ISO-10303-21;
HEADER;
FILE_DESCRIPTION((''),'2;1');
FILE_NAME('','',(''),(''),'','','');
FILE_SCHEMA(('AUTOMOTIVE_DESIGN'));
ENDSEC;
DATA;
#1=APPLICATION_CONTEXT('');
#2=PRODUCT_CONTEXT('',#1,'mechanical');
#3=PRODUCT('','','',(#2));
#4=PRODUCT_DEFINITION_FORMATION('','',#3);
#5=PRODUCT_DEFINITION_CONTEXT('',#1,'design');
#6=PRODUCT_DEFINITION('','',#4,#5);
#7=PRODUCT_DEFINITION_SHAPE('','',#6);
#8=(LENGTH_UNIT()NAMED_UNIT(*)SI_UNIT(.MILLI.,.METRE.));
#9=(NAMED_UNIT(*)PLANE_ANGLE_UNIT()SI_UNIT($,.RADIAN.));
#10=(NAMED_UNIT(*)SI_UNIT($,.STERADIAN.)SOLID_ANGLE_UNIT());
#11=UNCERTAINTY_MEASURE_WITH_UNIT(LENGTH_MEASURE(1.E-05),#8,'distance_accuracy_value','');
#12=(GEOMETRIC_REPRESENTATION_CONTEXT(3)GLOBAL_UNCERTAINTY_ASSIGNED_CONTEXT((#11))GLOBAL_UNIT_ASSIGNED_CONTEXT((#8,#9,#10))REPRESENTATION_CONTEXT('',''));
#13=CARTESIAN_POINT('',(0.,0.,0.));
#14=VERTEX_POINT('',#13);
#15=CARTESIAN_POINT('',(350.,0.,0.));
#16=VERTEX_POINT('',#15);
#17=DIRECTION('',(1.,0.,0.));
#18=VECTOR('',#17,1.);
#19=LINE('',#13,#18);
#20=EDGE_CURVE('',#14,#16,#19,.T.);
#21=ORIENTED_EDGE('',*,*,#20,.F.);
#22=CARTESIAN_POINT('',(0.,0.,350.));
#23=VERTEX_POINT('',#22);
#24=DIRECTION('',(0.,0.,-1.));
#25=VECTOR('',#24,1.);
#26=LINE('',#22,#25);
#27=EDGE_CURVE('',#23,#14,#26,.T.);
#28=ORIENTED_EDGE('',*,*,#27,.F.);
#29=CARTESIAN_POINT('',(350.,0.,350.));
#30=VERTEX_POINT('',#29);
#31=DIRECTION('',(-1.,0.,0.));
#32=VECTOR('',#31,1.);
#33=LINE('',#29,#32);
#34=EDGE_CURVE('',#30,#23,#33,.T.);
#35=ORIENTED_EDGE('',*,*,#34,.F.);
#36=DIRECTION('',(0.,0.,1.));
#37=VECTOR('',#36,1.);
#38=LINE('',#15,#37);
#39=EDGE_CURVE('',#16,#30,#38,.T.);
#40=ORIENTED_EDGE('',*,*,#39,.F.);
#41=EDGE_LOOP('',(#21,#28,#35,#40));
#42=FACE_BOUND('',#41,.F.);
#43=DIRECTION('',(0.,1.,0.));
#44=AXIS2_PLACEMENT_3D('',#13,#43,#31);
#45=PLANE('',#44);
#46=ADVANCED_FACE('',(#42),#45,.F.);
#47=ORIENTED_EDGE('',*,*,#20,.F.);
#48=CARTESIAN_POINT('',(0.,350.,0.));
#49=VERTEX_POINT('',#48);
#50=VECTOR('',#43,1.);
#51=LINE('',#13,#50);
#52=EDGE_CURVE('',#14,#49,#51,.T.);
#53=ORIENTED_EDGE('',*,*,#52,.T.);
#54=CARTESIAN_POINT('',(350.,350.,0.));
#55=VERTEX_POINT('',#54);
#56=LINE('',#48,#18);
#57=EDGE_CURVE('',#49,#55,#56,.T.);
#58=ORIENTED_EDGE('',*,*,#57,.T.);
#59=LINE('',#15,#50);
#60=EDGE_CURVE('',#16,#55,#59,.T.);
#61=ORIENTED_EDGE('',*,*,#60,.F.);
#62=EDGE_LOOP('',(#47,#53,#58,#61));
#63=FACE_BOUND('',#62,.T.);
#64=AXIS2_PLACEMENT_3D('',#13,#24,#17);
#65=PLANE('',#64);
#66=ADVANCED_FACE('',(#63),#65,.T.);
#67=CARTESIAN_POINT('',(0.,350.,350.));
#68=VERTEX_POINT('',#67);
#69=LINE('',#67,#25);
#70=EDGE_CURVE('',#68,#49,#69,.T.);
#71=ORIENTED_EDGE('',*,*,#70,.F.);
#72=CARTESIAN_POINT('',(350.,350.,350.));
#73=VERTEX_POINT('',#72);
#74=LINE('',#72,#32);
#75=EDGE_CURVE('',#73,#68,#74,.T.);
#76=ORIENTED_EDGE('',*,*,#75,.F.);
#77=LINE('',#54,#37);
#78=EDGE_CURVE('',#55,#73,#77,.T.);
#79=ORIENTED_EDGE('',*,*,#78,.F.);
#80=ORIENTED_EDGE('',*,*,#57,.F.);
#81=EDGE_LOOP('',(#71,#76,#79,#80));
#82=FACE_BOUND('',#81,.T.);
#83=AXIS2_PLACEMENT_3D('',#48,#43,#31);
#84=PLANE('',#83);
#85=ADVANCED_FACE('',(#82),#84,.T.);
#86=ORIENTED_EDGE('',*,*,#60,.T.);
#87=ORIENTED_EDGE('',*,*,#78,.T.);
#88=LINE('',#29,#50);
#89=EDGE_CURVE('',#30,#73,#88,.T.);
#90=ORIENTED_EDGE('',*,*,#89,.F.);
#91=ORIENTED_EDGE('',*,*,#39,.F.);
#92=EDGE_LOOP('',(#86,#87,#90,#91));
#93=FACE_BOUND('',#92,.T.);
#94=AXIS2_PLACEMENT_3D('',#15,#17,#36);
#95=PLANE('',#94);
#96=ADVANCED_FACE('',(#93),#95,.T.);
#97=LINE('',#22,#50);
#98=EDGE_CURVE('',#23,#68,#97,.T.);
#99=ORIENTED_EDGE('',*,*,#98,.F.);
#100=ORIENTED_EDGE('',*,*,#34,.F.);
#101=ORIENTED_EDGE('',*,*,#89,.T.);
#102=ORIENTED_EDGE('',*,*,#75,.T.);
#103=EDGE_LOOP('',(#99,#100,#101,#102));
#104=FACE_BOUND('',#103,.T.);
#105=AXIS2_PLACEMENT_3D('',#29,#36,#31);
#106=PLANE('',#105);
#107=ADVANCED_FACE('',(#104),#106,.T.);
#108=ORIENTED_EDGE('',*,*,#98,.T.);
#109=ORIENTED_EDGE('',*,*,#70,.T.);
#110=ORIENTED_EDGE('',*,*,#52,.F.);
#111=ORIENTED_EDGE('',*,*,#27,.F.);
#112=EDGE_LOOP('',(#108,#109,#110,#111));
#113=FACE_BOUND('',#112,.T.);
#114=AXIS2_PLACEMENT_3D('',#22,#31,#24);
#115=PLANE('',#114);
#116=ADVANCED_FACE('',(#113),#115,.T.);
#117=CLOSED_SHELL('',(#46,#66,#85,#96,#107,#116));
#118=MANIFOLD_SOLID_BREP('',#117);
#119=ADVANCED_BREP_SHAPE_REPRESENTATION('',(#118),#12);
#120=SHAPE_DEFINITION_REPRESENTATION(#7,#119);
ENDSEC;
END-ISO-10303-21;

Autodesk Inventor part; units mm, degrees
ref_plane "YZ Plane" through (0, 0, 0) normal (1, 0, 0) x (0, 1, 0)
ref_plane "XZ Plane" through (0, 0, 0) normal (0, 1, 0) x (-1, 0, 0)
ref_plane "XY Plane" through (0, 0, 0) normal (0, 0, 1) x (1, 0, 0)
sketch "Sketch1" plane through (0, 0, 0) normal (0, 1, 0) x (-1, 0, 0)
  line L0 (0, 0) -> (-350, 0)
  line L1 (-350, 0) -> (-350, 350)
  line L2 (-350, 350) -> (0, 350)
  line L3 (0, 350) -> (0, 0)
  dimension "d0" = 350
  dimension "d1" = 350
extrude "Extrusion1" add sketch "Sketch1" along normal blind 350
properties part number "prusaXL"
